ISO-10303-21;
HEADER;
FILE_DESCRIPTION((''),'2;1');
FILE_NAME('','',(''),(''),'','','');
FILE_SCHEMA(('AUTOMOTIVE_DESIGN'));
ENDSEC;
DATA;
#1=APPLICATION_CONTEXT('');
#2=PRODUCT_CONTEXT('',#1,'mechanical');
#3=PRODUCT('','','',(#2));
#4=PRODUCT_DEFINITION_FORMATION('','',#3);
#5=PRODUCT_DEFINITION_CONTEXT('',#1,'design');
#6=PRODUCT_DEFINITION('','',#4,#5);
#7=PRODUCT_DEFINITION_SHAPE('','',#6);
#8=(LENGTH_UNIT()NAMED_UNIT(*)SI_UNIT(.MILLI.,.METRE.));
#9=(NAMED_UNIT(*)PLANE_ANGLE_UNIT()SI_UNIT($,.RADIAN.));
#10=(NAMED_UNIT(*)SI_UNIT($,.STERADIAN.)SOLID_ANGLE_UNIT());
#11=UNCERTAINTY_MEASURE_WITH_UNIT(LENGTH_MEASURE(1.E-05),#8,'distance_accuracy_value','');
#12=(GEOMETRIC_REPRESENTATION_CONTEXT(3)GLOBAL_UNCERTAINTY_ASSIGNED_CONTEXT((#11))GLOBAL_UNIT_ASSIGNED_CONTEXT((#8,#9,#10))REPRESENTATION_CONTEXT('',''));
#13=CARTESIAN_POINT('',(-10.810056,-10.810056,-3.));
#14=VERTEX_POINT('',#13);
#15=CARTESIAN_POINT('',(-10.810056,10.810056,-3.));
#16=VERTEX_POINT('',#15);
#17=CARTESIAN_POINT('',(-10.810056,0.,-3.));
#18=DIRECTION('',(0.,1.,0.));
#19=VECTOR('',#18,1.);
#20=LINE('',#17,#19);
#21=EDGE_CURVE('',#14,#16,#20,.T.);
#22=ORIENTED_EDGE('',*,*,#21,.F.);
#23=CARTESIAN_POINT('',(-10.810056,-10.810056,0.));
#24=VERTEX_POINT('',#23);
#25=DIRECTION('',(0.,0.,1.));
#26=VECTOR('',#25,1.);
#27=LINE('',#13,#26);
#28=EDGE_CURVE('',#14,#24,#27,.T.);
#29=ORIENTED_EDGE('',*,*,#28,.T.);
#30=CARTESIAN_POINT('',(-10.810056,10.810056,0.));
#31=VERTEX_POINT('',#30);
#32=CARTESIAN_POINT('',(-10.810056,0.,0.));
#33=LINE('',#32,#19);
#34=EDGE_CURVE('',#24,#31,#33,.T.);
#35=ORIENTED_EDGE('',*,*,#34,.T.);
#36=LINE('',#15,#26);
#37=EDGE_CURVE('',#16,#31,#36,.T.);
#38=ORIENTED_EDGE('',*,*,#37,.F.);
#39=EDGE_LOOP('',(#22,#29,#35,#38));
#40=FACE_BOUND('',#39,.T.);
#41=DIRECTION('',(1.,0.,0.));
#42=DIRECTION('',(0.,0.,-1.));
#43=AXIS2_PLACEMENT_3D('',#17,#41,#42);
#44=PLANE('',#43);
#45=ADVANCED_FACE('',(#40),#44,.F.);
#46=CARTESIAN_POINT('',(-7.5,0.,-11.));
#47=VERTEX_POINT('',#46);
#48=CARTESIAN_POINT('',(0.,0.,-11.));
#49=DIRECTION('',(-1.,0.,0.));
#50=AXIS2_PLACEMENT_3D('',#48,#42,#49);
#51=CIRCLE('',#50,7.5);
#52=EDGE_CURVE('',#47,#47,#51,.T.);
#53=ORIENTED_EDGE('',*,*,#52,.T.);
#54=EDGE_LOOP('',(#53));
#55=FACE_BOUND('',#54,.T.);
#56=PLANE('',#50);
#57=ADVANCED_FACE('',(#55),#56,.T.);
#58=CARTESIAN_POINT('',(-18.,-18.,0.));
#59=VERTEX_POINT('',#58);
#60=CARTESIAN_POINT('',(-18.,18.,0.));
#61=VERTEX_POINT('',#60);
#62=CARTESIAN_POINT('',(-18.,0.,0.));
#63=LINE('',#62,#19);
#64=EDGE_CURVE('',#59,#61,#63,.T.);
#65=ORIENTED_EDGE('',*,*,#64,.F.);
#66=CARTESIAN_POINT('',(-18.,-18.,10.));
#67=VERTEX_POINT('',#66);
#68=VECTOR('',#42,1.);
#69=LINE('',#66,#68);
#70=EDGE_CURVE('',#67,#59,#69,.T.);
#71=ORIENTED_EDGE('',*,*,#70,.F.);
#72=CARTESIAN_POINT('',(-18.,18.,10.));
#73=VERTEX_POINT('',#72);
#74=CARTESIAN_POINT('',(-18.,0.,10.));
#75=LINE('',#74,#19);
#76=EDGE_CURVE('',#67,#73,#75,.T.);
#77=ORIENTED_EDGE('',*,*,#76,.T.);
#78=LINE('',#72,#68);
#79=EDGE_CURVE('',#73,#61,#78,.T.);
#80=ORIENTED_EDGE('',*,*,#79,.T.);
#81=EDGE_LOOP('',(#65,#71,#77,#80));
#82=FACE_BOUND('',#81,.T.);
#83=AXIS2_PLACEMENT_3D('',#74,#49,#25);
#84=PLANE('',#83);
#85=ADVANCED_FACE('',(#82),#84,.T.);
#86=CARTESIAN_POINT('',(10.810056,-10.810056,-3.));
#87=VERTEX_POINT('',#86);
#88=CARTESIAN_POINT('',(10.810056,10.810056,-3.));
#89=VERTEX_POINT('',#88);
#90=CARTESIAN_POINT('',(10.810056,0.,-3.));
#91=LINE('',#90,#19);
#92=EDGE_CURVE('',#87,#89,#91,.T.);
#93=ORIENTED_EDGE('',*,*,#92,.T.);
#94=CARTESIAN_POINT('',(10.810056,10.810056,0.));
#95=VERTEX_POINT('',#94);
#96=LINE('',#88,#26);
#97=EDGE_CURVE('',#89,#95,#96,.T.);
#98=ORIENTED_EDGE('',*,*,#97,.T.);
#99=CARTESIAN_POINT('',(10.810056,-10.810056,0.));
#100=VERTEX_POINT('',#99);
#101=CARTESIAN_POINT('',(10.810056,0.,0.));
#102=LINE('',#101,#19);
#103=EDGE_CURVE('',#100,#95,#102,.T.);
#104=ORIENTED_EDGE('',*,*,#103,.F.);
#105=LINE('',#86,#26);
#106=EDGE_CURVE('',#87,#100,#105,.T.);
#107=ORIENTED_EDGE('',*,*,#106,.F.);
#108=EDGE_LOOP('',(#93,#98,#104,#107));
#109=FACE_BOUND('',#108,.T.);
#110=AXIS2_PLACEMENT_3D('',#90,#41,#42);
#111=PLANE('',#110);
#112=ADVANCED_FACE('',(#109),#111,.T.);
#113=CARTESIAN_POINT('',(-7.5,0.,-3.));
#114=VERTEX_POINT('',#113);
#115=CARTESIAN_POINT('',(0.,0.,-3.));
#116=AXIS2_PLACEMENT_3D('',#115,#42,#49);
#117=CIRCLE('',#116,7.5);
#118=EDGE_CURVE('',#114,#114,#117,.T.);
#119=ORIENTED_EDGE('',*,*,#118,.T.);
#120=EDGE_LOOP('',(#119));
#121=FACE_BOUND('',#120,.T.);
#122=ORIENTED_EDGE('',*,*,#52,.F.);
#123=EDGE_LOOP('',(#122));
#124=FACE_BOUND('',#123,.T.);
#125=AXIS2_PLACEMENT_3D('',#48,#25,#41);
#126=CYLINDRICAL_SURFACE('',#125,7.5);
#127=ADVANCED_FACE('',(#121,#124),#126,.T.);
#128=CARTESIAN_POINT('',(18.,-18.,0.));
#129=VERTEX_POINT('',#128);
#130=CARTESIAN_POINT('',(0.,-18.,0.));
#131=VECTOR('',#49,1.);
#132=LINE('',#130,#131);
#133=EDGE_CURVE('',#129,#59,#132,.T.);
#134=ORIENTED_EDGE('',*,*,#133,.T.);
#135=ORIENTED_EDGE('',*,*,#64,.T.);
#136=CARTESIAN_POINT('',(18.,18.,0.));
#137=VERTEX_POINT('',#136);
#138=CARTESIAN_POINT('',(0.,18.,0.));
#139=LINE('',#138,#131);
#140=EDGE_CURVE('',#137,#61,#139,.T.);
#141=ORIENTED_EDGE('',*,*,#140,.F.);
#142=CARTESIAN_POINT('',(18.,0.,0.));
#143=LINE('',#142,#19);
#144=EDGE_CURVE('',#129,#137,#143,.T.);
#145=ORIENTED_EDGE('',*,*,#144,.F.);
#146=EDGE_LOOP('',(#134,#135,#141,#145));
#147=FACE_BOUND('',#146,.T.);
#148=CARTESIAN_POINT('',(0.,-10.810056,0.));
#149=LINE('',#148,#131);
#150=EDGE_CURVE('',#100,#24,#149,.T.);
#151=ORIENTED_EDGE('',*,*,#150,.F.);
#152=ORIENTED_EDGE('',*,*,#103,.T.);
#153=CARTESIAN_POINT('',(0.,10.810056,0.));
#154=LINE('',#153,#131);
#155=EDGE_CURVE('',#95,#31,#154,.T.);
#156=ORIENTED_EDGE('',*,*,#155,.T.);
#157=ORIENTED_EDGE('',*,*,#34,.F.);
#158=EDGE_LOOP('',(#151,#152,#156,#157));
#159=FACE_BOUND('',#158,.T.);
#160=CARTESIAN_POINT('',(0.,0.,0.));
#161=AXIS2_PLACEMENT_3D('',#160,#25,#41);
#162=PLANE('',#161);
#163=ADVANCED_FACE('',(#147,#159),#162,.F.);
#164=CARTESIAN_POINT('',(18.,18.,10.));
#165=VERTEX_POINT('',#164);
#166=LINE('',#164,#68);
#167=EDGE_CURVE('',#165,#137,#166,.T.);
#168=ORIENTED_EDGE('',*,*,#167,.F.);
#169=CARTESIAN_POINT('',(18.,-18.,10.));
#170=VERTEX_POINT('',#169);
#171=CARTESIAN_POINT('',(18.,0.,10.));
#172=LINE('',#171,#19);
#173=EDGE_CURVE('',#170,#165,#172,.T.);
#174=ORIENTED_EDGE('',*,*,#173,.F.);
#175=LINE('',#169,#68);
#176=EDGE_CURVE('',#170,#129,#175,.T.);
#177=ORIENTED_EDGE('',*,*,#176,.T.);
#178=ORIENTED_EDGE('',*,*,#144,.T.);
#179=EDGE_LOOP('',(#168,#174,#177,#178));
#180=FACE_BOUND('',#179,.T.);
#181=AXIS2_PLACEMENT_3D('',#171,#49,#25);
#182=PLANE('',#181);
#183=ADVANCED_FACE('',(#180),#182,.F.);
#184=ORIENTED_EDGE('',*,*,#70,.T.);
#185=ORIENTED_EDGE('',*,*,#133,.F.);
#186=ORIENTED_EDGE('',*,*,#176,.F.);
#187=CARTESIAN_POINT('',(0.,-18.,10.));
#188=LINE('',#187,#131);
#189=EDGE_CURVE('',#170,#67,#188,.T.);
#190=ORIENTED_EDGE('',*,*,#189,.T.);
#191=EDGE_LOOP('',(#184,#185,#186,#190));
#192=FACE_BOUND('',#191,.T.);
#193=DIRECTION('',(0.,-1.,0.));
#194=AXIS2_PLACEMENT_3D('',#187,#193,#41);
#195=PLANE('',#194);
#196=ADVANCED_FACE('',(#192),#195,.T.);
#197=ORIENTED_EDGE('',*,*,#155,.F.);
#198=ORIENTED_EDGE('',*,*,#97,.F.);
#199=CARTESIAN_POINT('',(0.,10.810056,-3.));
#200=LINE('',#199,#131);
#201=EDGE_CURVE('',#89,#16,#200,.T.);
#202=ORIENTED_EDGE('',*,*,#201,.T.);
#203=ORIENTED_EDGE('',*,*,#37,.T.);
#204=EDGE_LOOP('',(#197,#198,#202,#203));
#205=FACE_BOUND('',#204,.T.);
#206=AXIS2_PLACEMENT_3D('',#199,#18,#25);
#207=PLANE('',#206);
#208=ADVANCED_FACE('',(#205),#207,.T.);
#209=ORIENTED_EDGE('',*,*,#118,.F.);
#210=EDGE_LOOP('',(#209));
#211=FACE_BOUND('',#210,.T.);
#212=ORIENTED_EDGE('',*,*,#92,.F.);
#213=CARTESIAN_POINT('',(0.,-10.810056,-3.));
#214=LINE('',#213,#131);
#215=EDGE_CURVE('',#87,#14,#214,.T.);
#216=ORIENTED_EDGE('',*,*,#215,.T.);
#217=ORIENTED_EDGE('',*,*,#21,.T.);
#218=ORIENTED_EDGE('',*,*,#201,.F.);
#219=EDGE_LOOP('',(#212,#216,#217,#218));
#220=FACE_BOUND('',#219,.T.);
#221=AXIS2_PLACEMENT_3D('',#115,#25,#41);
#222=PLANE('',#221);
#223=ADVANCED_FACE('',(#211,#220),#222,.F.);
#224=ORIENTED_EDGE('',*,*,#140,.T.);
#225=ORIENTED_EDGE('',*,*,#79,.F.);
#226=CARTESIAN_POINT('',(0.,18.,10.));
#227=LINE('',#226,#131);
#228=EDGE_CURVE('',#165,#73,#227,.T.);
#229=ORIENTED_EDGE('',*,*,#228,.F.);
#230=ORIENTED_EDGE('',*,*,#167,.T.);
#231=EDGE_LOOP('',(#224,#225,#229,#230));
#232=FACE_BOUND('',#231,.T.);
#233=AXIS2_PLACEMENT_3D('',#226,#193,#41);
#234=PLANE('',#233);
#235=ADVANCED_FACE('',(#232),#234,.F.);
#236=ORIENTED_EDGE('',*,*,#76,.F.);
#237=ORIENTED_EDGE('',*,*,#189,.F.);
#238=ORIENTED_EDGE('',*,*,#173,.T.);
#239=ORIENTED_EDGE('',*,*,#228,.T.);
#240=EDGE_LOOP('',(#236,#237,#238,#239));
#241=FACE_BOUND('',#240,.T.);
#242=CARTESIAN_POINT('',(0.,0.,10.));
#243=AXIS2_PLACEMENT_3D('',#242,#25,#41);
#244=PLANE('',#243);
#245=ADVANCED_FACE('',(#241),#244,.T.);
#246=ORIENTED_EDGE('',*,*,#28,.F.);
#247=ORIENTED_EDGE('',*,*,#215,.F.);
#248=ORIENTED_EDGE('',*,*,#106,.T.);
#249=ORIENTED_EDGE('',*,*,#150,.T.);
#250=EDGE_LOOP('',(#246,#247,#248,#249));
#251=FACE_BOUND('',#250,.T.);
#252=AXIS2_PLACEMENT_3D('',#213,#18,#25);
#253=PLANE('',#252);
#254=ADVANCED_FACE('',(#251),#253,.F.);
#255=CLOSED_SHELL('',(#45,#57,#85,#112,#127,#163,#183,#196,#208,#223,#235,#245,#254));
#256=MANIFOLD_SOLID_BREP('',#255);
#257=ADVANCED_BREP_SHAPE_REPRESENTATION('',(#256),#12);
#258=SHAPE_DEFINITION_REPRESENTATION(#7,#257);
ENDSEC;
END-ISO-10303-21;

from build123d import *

# Parameters (mm, degrees)
SKETCH_1_W      = 36
SKETCH_1_H      = 36
EXTRUDE_1_DEPTH = 10
SKETCH_1_3_W    = 21.620111732
SKETCH_1_3_H    = 21.620111732
EXTRUDE_2_DEPTH = 3
SKETCH_2_R      = 7.5
EXTRUDE_3_DEPTH = 8


with BuildPart() as part:
    # 草图1 → 凸台-拉伸1 (new body)
    with BuildSketch(Plane.XY):
        Rectangle(SKETCH_1_W, SKETCH_1_H)
    extrude(amount=EXTRUDE_1_DEPTH)

    # 草图1<3> → 凸台-拉伸2 (add)
    with BuildSketch(Plane.XY):
        Rectangle(SKETCH_1_3_W, SKETCH_1_3_H)
    extrude(amount=-EXTRUDE_2_DEPTH)

    # 草图2 → 凸台-拉伸3 (add)
    with BuildSketch(Plane(origin=(0, 0, -3), x_dir=(-1, 0, 0), z_dir=(0, 0, -1))):
        Circle(SKETCH_2_R)
    extrude(amount=EXTRUDE_3_DEPTH)


solid = part.part
